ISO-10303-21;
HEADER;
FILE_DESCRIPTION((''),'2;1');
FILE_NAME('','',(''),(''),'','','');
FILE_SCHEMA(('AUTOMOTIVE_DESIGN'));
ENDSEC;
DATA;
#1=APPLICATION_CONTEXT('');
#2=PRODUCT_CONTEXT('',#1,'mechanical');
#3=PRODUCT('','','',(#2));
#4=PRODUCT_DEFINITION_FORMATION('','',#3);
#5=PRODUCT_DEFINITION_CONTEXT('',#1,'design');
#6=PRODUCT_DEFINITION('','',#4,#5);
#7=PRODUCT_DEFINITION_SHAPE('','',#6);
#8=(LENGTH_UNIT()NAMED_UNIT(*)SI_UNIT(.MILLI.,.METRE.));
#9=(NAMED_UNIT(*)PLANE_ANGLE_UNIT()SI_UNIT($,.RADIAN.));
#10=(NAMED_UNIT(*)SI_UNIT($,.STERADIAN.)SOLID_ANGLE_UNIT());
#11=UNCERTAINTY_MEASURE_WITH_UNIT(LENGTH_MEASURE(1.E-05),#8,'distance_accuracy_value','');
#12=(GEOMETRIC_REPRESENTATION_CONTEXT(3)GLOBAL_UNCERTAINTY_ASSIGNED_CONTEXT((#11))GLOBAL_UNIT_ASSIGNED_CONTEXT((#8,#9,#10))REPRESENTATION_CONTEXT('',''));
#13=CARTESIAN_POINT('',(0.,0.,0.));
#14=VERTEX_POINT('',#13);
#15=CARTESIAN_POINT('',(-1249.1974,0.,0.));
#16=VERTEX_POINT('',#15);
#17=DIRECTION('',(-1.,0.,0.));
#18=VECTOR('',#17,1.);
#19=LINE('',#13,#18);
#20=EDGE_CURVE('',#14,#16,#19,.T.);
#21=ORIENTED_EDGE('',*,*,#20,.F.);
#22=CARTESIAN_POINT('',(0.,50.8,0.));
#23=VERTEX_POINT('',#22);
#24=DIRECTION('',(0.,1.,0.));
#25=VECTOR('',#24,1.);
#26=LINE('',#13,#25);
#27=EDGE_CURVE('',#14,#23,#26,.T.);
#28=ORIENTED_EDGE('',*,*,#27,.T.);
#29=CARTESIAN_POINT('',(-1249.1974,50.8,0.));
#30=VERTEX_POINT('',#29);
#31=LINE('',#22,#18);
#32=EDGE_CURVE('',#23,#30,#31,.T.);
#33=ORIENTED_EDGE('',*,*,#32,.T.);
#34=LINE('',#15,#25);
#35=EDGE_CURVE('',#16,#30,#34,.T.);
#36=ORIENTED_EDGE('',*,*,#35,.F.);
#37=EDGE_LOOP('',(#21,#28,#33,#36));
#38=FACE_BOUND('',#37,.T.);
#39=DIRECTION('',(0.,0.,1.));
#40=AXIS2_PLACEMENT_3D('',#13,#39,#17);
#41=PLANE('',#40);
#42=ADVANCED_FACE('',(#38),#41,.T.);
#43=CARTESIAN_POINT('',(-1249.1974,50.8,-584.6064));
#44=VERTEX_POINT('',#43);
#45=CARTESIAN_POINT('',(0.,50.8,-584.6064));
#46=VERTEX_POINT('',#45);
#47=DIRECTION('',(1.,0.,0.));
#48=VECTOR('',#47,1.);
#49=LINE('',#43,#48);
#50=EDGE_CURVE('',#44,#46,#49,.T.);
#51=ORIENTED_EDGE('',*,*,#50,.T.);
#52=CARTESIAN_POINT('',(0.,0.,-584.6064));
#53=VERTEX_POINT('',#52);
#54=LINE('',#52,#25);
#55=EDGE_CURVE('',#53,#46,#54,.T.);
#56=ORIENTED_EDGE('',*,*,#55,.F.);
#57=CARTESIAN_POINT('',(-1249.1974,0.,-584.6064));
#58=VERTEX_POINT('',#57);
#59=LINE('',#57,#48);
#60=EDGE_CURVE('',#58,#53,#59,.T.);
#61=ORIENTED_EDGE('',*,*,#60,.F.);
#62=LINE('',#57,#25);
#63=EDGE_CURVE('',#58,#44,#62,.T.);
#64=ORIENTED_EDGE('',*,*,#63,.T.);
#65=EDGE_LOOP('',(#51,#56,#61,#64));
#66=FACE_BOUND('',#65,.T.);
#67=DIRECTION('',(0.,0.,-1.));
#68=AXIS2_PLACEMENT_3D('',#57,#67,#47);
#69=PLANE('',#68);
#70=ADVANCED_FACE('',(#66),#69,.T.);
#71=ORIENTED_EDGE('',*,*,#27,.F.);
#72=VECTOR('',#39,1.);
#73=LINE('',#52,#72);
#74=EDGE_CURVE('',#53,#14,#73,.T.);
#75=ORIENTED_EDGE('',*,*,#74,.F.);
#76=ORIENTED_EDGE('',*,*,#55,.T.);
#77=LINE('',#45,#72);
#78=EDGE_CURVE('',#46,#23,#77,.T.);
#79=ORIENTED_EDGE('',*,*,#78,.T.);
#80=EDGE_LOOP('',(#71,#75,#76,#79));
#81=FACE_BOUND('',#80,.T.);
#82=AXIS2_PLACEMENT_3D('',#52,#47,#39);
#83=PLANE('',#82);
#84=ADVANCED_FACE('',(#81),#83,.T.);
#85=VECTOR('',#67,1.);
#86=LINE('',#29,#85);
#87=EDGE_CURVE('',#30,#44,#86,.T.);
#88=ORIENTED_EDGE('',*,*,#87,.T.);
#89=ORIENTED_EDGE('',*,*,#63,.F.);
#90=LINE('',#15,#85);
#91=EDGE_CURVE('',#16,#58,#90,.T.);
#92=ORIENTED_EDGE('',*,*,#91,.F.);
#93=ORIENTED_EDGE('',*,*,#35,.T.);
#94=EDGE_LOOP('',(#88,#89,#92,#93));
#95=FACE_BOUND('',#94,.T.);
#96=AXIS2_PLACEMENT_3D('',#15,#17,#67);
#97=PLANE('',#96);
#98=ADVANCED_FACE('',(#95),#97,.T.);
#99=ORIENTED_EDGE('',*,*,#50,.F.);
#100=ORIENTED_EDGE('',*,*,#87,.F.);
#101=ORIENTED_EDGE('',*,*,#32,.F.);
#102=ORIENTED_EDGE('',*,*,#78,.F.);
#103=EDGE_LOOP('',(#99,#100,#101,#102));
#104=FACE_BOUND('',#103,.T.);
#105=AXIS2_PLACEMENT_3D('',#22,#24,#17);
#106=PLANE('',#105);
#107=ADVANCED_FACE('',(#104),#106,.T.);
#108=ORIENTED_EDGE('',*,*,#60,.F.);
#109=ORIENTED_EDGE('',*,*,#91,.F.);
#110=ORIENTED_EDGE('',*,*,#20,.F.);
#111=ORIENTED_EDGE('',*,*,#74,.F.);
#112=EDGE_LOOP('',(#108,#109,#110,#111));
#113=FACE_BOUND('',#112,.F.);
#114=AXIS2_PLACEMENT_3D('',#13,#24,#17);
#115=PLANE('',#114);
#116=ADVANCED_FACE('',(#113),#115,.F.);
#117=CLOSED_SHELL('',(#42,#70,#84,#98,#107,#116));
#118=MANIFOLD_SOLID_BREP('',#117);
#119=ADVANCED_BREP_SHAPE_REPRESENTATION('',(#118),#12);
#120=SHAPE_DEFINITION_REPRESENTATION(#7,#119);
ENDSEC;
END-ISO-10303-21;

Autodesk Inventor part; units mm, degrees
ref_plane "YZ Plane" through (0, 0, 0) normal (1, 0, 0) x (0, 1, 0)
ref_plane "XZ Plane" through (0, 0, 0) normal (0, 1, 0) x (-1, 0, 0)
ref_plane "XY Plane" through (0, 0, 0) normal (0, 0, 1) x (1, 0, 0)
sketch "Sketch1" plane through (0, 0, 0) normal (0, 1, 0) x (-1, 0, 0)
  line L0 (0, 0) -> (1249.1974, 0)
  line L1 (1249.1974, 0) -> (1249.1974, -584.6064)
  line L2 (1249.1974, -584.6064) -> (0, -584.6064)
  line L3 (0, -584.6064) -> (0, 0)
  dimension "d0" = 584.6064
  dimension "d1" = 1249.1974
extrude "Extrusion1" add sketch "Sketch1" along normal blind 50.8
properties part number "HoldingTogetherBottom" material "Wood (Birch)"
